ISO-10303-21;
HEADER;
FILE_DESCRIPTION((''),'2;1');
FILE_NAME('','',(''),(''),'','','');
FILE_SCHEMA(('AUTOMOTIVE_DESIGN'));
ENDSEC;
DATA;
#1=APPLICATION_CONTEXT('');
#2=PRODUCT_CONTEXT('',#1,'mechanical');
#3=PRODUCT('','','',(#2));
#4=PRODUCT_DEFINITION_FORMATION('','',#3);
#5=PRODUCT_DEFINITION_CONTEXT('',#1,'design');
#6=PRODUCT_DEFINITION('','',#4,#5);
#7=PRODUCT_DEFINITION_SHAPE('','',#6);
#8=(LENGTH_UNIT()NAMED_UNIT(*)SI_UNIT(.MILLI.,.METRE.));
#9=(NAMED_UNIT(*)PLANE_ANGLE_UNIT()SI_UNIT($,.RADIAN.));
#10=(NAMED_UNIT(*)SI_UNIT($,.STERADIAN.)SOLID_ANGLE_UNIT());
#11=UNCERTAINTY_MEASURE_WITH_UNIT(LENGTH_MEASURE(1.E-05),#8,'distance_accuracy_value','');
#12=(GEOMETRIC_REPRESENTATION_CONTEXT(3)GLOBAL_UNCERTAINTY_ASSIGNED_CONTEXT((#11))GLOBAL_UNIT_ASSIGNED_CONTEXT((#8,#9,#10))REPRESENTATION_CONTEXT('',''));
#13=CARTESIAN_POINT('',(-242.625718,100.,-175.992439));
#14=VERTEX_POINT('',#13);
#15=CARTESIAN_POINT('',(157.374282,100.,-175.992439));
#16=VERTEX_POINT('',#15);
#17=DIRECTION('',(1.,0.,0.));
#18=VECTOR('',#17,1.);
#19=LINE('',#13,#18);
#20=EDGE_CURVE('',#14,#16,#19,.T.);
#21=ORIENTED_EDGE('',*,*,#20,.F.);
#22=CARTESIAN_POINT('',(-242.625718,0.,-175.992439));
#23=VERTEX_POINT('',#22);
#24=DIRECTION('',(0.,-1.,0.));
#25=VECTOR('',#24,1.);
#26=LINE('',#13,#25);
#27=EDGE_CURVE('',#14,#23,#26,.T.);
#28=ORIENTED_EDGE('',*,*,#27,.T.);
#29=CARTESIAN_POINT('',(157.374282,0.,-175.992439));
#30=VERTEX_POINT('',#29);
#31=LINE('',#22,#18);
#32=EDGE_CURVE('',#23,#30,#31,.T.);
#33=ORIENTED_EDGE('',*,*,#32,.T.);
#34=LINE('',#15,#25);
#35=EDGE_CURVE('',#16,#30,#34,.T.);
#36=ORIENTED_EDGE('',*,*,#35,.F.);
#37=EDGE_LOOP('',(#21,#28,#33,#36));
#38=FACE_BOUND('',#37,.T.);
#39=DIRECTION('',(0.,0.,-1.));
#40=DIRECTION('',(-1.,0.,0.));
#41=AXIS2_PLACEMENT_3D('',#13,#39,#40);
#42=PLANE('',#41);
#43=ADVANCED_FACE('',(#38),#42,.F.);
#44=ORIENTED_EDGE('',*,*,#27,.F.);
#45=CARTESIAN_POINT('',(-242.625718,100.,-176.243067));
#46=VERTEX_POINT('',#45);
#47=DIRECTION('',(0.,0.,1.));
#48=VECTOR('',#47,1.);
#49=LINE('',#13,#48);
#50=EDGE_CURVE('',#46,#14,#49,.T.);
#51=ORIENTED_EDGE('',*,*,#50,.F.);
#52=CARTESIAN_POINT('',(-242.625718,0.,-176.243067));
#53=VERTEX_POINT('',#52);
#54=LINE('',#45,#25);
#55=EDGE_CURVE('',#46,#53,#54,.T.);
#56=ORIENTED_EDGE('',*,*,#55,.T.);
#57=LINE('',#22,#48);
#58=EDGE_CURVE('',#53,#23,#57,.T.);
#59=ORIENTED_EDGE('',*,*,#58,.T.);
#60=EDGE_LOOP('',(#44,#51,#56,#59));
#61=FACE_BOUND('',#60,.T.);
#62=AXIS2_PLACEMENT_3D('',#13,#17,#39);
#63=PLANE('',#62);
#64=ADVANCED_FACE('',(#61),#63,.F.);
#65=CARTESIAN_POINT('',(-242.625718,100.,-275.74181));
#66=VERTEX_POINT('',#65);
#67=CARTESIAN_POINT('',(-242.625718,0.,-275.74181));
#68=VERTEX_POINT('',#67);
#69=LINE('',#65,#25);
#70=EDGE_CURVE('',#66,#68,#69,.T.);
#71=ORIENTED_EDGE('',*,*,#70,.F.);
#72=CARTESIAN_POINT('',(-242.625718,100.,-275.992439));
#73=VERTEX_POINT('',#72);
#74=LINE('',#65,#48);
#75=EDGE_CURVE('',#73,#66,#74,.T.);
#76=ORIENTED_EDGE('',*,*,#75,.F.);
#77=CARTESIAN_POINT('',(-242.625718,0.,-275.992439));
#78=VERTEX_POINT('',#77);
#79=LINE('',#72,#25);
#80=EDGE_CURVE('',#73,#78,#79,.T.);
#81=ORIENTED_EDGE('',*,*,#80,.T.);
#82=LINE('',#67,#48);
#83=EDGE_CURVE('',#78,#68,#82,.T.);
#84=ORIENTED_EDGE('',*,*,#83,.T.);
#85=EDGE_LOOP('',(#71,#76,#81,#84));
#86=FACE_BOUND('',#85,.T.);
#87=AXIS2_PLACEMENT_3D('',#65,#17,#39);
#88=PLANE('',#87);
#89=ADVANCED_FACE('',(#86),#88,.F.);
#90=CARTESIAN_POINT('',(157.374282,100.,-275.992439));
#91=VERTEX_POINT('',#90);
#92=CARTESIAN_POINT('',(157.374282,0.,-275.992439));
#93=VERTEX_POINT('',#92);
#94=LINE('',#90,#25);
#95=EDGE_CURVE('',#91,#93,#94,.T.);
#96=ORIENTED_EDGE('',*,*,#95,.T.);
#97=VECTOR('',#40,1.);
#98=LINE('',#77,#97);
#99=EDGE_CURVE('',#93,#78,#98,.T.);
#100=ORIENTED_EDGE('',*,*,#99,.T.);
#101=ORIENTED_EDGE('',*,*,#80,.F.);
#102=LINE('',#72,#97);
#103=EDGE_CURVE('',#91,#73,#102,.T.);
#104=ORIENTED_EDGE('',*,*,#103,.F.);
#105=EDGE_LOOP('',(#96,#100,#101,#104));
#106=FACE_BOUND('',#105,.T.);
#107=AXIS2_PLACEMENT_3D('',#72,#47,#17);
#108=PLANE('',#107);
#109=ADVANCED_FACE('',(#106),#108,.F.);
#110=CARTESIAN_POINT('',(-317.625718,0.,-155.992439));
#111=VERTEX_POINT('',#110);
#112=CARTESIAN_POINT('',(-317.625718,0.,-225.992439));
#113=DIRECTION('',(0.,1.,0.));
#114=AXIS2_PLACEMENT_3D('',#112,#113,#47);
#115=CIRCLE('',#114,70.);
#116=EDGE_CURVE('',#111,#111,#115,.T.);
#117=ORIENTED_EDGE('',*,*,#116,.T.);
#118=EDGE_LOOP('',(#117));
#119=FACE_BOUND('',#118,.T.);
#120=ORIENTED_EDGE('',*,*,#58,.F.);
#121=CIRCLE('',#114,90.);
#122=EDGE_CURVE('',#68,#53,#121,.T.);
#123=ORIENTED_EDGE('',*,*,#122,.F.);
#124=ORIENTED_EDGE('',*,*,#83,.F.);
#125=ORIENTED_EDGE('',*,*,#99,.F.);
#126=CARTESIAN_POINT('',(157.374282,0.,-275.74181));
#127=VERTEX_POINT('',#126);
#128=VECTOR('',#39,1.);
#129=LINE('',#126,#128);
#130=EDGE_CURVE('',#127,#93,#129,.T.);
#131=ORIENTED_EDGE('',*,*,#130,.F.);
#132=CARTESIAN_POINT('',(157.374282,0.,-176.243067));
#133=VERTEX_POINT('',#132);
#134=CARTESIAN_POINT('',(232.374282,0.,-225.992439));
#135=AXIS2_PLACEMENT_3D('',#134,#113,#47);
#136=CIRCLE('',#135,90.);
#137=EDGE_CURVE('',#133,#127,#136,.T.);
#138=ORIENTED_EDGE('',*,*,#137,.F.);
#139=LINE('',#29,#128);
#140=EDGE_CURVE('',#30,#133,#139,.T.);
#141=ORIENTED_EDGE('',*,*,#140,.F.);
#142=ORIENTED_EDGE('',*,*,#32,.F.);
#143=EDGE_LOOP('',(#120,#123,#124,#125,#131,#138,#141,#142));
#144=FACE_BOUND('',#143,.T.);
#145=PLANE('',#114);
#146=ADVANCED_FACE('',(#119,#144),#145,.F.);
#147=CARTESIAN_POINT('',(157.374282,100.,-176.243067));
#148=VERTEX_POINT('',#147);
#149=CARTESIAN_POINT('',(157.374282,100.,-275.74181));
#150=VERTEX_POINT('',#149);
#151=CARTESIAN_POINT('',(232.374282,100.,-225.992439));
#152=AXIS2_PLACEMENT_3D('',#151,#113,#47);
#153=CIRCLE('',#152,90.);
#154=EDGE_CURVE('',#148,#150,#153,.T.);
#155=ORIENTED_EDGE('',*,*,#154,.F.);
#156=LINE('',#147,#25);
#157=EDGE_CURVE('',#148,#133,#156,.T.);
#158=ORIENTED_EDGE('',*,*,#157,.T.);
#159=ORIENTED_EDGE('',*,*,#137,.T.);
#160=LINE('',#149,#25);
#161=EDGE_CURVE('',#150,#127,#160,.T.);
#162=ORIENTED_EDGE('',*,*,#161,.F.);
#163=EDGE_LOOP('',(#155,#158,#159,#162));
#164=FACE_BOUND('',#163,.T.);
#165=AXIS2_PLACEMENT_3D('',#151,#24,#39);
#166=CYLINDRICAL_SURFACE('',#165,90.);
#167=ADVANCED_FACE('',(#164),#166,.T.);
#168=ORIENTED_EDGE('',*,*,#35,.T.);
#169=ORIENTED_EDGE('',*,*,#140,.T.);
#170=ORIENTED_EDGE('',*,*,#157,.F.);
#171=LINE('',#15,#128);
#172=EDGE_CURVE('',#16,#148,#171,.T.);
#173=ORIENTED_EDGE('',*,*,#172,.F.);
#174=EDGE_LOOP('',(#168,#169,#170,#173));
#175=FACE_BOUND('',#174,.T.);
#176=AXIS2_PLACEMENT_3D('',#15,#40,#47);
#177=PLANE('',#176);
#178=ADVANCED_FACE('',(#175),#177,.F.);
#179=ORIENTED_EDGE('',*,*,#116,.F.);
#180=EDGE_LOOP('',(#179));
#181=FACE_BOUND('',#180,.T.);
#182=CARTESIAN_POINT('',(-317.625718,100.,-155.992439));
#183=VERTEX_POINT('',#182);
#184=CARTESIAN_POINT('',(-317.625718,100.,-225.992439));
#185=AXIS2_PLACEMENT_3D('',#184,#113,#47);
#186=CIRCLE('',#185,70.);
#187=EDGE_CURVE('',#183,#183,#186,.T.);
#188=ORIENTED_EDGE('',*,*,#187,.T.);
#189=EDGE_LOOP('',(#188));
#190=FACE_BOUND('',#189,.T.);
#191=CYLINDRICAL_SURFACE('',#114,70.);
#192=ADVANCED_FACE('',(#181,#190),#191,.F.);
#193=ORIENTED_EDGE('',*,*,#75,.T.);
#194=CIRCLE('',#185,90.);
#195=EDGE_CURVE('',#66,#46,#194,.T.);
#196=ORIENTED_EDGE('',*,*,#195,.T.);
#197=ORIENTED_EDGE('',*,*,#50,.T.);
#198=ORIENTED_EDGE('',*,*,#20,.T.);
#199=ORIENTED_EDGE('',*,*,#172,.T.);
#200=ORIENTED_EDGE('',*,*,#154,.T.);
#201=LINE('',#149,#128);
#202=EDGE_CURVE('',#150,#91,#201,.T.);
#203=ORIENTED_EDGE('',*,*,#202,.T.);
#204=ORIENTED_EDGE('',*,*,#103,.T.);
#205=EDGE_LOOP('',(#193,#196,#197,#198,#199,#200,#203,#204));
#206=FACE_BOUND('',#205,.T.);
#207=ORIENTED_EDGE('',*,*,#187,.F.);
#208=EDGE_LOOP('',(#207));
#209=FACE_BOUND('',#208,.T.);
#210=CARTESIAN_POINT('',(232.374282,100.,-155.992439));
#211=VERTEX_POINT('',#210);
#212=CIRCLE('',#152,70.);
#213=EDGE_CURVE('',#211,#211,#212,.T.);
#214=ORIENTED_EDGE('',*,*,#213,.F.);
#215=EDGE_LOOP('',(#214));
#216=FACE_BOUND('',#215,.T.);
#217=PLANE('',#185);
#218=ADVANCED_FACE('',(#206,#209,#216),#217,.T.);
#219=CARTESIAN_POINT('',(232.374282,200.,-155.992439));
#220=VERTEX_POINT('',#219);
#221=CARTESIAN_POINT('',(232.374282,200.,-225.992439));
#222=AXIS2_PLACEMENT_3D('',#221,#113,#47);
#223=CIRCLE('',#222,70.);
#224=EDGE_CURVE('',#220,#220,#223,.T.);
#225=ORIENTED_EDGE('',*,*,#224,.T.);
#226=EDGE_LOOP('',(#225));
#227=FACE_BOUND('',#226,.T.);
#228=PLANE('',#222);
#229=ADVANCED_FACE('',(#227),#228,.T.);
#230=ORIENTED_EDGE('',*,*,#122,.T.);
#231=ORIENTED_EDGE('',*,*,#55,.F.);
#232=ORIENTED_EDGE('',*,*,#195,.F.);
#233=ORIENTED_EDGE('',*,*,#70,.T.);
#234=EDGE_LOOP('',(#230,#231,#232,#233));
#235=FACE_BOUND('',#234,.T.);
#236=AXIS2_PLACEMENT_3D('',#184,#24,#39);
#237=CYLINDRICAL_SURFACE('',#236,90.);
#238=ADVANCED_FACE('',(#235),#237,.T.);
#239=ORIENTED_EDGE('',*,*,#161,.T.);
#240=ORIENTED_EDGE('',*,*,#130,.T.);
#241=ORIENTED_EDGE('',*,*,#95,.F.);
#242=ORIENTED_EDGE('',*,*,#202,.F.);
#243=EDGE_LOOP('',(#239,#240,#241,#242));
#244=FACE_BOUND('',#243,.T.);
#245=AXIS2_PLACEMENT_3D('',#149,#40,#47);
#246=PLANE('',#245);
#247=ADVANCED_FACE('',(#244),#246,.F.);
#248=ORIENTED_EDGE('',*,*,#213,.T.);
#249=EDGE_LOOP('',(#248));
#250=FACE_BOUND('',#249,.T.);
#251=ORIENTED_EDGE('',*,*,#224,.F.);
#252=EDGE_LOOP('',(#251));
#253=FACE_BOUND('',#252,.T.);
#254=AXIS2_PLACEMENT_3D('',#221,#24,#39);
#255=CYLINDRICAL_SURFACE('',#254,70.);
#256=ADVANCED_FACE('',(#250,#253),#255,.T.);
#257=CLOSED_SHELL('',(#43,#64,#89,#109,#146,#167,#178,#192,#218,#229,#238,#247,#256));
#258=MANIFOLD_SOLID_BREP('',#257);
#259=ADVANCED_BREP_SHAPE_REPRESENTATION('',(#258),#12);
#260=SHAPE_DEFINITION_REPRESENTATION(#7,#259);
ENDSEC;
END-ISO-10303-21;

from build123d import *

# Parameters (mm, degrees)
BOSS_EXTRUDE1_DEPTH = 100
SKETCH2_R           = 70
CUT_EXTRUDE1_DEPTH  = 100
SKETCH3_R           = 70
BOSS_EXTRUDE2_DEPTH = 100


with BuildPart() as part:
    # Sketch1 → Boss-Extrude1 (new body)
    with BuildSketch(Plane(origin=(0, 0, 0), x_dir=(1, 0, 0), z_dir=(0, 1, 0))):
        with BuildLine():
            Line((-242.625717576, 275.741810419), (-242.625717576, 275.992438563))
            Line((-242.625717576, 275.992438563), (157.374282424, 275.992438563))
            Line((157.374282424, 275.992438563), (157.374282424, 275.741810419))
            ThreePointArc((157.374282424, 275.741810419), (322.374282424, 225.992438563), (157.374282424, 176.243066708))
            Line((157.374282424, 176.243066708), (157.374282424, 175.992438563))
            Line((157.374282424, 175.992438563), (-242.625717576, 175.992438563))
            Line((-242.625717576, 175.992438563), (-242.625717576, 176.243066708))
            ThreePointArc((-242.625717576, 176.243066708), (-407.625717576, 225.992438563), (-242.625717576, 275.741810419))
        make_face()
    extrude(amount=BOSS_EXTRUDE1_DEPTH)

    # Sketch2 → Cut-Extrude1 (cut)
    with BuildSketch(Plane(origin=(0, 100, 0), x_dir=(1, 0, 0), z_dir=(0, 1, 0))):
        with Locations(Location((-317.625717576, 225.992438563, 0), (0, 0, 270))):
            Circle(SKETCH2_R)
    extrude(amount=-CUT_EXTRUDE1_DEPTH, mode=Mode.SUBTRACT)

    # Sketch3 → Boss-Extrude2 (add)
    with BuildSketch(Plane(origin=(0, 100, 0), x_dir=(1, 0, 0), z_dir=(0, 1, 0))):
        with Locations(Location((232.374282424, 225.992438563, 0), (0, 0, 270))):
            Circle(SKETCH3_R)
    extrude(amount=BOSS_EXTRUDE2_DEPTH)


solid = part.part
